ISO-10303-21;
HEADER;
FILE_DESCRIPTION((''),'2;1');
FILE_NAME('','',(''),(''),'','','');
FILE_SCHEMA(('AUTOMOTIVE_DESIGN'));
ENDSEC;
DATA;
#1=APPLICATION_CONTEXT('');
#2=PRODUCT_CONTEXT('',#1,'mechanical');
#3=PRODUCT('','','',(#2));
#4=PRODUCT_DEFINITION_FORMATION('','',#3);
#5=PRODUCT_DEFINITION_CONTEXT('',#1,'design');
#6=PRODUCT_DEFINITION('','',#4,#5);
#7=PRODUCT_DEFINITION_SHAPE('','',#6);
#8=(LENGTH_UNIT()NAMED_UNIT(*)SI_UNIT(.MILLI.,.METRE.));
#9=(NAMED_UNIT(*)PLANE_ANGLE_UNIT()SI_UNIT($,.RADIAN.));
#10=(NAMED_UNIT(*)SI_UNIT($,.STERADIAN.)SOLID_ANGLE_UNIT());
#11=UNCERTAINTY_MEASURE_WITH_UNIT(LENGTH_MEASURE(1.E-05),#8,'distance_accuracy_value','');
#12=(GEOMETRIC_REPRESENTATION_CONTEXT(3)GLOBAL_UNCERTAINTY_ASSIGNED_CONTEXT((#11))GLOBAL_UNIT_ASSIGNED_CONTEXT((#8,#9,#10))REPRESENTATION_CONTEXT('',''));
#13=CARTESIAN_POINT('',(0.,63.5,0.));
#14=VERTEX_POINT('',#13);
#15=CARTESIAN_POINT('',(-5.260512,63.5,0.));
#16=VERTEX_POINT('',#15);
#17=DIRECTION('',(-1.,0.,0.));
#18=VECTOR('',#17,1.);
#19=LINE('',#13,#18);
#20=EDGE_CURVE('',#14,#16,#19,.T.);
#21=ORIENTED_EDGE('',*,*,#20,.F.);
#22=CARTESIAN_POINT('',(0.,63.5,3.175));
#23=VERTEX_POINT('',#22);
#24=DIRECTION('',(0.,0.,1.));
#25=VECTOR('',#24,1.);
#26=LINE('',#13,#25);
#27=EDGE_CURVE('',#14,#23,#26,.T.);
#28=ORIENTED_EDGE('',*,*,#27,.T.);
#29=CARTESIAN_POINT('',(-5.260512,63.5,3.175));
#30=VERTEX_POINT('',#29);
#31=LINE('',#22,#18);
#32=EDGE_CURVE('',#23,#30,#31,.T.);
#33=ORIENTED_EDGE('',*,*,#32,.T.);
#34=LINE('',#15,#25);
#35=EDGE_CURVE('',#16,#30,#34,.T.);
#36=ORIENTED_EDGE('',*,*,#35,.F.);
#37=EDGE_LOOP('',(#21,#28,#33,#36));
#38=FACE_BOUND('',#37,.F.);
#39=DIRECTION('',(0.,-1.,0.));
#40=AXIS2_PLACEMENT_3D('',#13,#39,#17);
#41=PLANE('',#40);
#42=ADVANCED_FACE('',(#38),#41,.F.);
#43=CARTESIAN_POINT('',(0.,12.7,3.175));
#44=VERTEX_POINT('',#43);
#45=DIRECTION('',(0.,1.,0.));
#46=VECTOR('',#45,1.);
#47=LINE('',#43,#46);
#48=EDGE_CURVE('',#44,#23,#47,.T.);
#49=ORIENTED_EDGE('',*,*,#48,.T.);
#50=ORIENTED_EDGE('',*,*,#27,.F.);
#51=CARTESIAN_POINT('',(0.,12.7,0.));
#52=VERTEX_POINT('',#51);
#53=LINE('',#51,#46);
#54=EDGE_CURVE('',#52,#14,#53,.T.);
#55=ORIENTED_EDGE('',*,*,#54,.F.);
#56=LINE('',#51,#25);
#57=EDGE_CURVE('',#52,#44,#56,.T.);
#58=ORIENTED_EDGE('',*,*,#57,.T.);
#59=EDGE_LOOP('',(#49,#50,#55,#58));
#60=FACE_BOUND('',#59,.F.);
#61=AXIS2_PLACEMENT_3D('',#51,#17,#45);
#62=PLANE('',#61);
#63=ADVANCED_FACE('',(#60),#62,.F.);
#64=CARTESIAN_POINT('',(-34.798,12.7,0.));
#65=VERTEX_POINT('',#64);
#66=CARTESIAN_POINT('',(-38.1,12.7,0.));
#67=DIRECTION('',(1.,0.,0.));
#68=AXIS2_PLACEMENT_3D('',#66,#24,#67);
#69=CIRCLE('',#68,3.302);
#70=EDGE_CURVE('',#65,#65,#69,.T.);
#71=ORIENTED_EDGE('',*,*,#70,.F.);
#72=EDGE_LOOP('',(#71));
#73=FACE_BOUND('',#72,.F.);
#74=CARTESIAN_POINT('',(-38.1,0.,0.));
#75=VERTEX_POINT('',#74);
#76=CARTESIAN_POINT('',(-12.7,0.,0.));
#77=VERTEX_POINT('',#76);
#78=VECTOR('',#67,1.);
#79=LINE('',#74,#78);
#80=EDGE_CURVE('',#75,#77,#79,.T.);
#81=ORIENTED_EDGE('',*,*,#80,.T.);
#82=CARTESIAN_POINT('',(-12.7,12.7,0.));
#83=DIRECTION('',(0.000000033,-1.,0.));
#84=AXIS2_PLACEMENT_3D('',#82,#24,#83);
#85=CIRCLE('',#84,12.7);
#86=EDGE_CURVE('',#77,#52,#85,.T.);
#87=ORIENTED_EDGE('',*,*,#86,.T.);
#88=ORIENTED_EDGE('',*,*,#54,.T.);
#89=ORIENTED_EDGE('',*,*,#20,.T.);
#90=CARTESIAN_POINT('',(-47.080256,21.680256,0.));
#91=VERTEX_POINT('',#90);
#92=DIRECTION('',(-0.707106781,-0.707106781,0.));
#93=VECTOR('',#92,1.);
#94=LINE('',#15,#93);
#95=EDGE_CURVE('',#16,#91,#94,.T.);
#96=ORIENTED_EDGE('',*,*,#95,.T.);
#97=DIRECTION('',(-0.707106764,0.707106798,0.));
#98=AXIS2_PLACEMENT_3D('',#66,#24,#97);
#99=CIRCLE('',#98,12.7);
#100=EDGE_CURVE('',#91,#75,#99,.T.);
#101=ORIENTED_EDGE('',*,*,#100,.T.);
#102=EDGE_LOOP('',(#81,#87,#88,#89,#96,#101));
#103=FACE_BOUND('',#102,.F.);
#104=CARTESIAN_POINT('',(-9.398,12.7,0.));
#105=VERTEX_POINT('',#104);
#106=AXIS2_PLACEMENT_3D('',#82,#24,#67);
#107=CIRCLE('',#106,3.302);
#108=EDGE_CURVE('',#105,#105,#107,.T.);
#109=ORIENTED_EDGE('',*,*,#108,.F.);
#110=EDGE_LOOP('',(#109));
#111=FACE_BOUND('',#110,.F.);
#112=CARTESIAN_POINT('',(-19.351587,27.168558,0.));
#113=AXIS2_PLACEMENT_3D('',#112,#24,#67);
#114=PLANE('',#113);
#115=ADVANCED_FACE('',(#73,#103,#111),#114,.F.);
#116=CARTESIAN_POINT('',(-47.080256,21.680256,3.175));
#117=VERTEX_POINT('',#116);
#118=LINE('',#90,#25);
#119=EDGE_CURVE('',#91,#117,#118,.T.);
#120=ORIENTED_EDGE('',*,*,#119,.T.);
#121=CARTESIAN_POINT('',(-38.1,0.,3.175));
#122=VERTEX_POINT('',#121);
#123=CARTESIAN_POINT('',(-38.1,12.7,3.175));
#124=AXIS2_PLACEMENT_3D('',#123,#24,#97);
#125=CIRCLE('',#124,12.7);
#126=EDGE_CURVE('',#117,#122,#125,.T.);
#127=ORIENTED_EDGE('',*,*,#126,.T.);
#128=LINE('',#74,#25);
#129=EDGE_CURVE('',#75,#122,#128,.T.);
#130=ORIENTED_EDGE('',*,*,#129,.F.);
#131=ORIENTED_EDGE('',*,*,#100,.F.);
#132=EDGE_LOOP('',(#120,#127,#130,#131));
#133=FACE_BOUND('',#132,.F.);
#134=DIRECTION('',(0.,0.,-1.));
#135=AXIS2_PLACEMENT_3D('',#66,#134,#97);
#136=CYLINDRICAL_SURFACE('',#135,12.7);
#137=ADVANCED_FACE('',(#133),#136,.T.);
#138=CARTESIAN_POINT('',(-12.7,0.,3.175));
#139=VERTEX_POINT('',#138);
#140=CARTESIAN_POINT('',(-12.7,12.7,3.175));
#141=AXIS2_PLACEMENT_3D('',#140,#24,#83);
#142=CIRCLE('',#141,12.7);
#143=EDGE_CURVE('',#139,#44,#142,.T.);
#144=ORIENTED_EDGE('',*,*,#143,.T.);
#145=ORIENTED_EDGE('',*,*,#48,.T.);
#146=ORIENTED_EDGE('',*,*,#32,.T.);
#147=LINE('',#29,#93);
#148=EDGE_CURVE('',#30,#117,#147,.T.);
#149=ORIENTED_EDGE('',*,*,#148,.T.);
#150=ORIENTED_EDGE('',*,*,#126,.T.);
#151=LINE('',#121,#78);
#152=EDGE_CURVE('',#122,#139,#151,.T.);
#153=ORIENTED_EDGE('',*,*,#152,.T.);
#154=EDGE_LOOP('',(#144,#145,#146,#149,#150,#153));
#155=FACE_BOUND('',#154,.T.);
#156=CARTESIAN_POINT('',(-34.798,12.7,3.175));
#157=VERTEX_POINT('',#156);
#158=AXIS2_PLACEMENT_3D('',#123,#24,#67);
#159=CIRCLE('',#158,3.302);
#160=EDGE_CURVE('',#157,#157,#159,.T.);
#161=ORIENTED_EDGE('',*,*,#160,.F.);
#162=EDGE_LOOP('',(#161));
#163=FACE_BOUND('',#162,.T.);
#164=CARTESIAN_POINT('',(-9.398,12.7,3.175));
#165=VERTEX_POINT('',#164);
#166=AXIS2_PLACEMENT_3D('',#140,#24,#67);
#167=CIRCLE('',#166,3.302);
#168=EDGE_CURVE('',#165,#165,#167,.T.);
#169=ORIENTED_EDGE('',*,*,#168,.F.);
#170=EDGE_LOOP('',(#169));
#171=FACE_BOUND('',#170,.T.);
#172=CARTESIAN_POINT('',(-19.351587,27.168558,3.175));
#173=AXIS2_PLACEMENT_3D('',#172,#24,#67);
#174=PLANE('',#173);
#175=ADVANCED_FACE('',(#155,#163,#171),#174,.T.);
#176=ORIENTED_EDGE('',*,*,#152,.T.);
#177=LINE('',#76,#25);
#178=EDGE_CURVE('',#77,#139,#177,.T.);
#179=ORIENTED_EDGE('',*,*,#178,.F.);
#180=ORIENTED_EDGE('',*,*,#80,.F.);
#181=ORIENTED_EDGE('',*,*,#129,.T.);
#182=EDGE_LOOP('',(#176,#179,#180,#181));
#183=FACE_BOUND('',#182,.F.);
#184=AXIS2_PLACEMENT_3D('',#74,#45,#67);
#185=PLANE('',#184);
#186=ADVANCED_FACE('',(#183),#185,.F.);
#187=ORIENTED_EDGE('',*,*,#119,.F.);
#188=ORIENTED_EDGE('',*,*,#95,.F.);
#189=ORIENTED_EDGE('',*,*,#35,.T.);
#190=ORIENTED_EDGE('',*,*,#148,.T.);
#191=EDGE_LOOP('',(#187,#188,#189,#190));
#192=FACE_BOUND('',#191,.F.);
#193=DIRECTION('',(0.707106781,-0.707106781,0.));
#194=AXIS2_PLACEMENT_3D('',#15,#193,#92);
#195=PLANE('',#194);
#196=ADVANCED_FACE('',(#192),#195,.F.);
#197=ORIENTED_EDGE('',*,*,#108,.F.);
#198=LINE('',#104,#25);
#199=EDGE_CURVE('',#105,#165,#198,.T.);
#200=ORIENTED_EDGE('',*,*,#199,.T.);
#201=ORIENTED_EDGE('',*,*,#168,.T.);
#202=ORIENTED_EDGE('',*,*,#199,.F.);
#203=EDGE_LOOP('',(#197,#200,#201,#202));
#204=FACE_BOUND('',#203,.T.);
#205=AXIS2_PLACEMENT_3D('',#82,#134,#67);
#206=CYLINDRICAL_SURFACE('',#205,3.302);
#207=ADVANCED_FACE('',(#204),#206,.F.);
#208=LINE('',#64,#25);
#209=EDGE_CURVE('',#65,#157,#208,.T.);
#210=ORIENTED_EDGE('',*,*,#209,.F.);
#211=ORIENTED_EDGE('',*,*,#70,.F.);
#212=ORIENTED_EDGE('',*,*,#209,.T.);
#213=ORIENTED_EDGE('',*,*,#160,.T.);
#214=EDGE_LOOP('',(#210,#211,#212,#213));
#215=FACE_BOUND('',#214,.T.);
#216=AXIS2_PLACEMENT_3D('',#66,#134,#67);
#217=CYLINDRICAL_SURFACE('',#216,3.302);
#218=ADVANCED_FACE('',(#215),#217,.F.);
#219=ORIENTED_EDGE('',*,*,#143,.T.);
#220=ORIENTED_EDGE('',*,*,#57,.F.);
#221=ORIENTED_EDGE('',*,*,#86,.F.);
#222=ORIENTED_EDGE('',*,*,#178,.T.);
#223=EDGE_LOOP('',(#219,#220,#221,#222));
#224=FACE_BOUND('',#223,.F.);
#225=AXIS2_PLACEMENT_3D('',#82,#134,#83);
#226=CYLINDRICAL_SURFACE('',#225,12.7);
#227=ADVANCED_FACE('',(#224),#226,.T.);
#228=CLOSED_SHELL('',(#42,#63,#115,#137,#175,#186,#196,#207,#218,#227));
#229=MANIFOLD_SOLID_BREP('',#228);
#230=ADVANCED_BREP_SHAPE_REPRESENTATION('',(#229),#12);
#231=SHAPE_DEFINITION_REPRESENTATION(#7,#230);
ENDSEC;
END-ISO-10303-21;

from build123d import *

# Parameters (mm, degrees)
F0_R     = 3.302
F1_DEPTH = 3.175


with BuildPart() as f1:
    # F0 (on Top) → F1 (new body)
    with BuildSketch(Plane.XY):
        with BuildLine():
            Line((-5.260512, 63.5), (-47.080256, 21.680256))
            ThreePointArc((-47.080256, 21.680256), (-49.83327, 7.83992), (-38.1, 0))
            Line((-38.1, 0), (-12.7, 0))
            ThreePointArc((-12.7, 0), (-3.719744, 3.719744), (0, 12.7))
            Line((0, 12.7), (0, 63.5))
            Line((0, 63.5), (-5.260512, 63.5))
        make_face()
        with Locations((-38.1, 12.7)):
            Circle(F0_R, mode=Mode.SUBTRACT)
        with Locations((-12.7, 12.7)):
            Circle(F0_R, mode=Mode.SUBTRACT)
    extrude(amount=F1_DEPTH)


solid = f1.part
